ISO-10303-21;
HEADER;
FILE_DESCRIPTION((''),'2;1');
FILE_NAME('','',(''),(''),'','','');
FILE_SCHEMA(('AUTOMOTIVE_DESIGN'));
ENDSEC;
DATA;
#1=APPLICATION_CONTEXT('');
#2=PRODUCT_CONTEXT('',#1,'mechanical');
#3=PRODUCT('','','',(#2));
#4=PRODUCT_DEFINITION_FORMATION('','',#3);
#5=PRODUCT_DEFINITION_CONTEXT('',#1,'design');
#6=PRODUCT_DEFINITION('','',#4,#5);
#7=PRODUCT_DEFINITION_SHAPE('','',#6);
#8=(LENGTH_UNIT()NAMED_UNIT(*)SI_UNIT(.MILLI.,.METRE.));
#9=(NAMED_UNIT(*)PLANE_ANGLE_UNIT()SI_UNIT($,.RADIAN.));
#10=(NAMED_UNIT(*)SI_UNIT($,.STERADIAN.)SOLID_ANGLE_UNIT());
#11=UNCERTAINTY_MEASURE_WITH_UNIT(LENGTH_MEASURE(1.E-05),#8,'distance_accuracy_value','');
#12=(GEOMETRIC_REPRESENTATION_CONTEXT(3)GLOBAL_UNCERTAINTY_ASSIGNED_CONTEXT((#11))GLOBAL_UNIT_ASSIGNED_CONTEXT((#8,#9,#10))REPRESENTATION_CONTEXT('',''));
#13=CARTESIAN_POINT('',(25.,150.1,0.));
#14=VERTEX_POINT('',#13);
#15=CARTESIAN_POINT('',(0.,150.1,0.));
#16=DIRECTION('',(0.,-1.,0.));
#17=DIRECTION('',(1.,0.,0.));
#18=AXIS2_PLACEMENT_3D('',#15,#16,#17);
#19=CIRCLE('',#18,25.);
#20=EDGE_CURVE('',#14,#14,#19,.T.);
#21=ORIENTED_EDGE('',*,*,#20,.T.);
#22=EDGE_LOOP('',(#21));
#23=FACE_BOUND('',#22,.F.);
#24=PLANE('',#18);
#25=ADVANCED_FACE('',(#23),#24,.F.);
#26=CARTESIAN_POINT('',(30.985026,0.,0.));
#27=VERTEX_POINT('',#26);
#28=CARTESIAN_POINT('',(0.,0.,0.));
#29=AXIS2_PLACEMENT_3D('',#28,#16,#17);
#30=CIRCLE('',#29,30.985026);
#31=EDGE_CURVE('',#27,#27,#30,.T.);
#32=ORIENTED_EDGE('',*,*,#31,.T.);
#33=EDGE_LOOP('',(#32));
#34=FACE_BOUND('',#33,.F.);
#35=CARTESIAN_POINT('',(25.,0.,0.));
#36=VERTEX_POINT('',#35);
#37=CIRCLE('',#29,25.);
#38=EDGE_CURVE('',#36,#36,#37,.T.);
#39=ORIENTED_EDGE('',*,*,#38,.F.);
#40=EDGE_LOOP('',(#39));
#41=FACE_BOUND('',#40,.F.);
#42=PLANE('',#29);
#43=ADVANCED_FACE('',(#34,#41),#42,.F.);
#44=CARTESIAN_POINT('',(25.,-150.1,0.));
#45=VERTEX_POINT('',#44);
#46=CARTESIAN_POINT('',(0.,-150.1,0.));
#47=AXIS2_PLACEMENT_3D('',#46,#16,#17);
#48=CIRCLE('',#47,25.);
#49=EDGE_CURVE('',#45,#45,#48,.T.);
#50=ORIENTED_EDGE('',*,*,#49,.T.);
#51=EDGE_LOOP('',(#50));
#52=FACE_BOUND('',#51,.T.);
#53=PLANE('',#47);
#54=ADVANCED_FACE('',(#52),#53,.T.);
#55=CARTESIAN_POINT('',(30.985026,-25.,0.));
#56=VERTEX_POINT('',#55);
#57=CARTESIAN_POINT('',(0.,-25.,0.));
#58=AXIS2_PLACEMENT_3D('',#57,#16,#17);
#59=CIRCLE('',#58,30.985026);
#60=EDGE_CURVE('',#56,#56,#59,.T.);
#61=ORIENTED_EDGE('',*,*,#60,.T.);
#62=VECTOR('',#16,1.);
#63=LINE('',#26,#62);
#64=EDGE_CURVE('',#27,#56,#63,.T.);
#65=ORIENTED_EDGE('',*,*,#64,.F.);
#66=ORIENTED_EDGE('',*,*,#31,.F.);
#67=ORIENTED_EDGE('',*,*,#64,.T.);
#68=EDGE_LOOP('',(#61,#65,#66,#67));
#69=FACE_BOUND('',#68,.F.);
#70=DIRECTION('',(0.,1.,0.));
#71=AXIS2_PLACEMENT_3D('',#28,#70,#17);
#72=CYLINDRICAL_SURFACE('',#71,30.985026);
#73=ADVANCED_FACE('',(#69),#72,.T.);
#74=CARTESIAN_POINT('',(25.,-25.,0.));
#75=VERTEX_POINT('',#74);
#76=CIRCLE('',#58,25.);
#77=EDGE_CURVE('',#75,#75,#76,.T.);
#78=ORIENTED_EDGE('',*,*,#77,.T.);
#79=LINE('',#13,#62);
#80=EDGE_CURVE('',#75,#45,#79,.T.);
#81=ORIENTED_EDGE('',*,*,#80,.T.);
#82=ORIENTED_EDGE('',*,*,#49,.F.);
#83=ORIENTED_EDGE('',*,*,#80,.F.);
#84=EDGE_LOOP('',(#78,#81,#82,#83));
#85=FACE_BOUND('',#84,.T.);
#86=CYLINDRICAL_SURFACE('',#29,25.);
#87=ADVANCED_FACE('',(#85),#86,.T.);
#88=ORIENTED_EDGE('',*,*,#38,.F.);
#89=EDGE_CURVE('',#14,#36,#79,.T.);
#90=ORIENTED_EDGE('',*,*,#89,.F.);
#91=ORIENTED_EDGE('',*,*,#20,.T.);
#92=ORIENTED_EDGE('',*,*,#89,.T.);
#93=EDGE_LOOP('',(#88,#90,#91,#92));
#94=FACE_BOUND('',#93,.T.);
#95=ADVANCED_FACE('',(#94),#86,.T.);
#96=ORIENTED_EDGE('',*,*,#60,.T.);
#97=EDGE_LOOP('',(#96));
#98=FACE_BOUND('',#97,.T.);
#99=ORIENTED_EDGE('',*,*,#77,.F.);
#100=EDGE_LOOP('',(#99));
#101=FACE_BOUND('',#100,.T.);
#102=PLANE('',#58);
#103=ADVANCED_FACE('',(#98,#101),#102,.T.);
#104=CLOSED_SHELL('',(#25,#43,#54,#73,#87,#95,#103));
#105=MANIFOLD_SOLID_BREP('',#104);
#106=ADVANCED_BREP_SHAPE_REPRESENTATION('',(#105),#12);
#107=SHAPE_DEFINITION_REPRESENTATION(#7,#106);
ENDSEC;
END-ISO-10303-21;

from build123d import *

# Parameters (mm, degrees)
F0_R     = 25
F1_DEPTH = 150.1
F2_R     = 30.985026
F2_R_2   = 25
F3_DEPTH = 25


with BuildPart() as f1:
    # F0 (on Front) → F1 (new body, symmetric)
    with BuildSketch(Plane.XZ):
        Circle(F0_R)
    extrude(amount=F1_DEPTH, both=True)

    # F2 (on Front) → F3 (join)
    with BuildSketch(Plane.XZ):
        Circle(F2_R)
        Circle(F2_R_2, mode=Mode.SUBTRACT)
    extrude(amount=F3_DEPTH)


solid = f1.part
